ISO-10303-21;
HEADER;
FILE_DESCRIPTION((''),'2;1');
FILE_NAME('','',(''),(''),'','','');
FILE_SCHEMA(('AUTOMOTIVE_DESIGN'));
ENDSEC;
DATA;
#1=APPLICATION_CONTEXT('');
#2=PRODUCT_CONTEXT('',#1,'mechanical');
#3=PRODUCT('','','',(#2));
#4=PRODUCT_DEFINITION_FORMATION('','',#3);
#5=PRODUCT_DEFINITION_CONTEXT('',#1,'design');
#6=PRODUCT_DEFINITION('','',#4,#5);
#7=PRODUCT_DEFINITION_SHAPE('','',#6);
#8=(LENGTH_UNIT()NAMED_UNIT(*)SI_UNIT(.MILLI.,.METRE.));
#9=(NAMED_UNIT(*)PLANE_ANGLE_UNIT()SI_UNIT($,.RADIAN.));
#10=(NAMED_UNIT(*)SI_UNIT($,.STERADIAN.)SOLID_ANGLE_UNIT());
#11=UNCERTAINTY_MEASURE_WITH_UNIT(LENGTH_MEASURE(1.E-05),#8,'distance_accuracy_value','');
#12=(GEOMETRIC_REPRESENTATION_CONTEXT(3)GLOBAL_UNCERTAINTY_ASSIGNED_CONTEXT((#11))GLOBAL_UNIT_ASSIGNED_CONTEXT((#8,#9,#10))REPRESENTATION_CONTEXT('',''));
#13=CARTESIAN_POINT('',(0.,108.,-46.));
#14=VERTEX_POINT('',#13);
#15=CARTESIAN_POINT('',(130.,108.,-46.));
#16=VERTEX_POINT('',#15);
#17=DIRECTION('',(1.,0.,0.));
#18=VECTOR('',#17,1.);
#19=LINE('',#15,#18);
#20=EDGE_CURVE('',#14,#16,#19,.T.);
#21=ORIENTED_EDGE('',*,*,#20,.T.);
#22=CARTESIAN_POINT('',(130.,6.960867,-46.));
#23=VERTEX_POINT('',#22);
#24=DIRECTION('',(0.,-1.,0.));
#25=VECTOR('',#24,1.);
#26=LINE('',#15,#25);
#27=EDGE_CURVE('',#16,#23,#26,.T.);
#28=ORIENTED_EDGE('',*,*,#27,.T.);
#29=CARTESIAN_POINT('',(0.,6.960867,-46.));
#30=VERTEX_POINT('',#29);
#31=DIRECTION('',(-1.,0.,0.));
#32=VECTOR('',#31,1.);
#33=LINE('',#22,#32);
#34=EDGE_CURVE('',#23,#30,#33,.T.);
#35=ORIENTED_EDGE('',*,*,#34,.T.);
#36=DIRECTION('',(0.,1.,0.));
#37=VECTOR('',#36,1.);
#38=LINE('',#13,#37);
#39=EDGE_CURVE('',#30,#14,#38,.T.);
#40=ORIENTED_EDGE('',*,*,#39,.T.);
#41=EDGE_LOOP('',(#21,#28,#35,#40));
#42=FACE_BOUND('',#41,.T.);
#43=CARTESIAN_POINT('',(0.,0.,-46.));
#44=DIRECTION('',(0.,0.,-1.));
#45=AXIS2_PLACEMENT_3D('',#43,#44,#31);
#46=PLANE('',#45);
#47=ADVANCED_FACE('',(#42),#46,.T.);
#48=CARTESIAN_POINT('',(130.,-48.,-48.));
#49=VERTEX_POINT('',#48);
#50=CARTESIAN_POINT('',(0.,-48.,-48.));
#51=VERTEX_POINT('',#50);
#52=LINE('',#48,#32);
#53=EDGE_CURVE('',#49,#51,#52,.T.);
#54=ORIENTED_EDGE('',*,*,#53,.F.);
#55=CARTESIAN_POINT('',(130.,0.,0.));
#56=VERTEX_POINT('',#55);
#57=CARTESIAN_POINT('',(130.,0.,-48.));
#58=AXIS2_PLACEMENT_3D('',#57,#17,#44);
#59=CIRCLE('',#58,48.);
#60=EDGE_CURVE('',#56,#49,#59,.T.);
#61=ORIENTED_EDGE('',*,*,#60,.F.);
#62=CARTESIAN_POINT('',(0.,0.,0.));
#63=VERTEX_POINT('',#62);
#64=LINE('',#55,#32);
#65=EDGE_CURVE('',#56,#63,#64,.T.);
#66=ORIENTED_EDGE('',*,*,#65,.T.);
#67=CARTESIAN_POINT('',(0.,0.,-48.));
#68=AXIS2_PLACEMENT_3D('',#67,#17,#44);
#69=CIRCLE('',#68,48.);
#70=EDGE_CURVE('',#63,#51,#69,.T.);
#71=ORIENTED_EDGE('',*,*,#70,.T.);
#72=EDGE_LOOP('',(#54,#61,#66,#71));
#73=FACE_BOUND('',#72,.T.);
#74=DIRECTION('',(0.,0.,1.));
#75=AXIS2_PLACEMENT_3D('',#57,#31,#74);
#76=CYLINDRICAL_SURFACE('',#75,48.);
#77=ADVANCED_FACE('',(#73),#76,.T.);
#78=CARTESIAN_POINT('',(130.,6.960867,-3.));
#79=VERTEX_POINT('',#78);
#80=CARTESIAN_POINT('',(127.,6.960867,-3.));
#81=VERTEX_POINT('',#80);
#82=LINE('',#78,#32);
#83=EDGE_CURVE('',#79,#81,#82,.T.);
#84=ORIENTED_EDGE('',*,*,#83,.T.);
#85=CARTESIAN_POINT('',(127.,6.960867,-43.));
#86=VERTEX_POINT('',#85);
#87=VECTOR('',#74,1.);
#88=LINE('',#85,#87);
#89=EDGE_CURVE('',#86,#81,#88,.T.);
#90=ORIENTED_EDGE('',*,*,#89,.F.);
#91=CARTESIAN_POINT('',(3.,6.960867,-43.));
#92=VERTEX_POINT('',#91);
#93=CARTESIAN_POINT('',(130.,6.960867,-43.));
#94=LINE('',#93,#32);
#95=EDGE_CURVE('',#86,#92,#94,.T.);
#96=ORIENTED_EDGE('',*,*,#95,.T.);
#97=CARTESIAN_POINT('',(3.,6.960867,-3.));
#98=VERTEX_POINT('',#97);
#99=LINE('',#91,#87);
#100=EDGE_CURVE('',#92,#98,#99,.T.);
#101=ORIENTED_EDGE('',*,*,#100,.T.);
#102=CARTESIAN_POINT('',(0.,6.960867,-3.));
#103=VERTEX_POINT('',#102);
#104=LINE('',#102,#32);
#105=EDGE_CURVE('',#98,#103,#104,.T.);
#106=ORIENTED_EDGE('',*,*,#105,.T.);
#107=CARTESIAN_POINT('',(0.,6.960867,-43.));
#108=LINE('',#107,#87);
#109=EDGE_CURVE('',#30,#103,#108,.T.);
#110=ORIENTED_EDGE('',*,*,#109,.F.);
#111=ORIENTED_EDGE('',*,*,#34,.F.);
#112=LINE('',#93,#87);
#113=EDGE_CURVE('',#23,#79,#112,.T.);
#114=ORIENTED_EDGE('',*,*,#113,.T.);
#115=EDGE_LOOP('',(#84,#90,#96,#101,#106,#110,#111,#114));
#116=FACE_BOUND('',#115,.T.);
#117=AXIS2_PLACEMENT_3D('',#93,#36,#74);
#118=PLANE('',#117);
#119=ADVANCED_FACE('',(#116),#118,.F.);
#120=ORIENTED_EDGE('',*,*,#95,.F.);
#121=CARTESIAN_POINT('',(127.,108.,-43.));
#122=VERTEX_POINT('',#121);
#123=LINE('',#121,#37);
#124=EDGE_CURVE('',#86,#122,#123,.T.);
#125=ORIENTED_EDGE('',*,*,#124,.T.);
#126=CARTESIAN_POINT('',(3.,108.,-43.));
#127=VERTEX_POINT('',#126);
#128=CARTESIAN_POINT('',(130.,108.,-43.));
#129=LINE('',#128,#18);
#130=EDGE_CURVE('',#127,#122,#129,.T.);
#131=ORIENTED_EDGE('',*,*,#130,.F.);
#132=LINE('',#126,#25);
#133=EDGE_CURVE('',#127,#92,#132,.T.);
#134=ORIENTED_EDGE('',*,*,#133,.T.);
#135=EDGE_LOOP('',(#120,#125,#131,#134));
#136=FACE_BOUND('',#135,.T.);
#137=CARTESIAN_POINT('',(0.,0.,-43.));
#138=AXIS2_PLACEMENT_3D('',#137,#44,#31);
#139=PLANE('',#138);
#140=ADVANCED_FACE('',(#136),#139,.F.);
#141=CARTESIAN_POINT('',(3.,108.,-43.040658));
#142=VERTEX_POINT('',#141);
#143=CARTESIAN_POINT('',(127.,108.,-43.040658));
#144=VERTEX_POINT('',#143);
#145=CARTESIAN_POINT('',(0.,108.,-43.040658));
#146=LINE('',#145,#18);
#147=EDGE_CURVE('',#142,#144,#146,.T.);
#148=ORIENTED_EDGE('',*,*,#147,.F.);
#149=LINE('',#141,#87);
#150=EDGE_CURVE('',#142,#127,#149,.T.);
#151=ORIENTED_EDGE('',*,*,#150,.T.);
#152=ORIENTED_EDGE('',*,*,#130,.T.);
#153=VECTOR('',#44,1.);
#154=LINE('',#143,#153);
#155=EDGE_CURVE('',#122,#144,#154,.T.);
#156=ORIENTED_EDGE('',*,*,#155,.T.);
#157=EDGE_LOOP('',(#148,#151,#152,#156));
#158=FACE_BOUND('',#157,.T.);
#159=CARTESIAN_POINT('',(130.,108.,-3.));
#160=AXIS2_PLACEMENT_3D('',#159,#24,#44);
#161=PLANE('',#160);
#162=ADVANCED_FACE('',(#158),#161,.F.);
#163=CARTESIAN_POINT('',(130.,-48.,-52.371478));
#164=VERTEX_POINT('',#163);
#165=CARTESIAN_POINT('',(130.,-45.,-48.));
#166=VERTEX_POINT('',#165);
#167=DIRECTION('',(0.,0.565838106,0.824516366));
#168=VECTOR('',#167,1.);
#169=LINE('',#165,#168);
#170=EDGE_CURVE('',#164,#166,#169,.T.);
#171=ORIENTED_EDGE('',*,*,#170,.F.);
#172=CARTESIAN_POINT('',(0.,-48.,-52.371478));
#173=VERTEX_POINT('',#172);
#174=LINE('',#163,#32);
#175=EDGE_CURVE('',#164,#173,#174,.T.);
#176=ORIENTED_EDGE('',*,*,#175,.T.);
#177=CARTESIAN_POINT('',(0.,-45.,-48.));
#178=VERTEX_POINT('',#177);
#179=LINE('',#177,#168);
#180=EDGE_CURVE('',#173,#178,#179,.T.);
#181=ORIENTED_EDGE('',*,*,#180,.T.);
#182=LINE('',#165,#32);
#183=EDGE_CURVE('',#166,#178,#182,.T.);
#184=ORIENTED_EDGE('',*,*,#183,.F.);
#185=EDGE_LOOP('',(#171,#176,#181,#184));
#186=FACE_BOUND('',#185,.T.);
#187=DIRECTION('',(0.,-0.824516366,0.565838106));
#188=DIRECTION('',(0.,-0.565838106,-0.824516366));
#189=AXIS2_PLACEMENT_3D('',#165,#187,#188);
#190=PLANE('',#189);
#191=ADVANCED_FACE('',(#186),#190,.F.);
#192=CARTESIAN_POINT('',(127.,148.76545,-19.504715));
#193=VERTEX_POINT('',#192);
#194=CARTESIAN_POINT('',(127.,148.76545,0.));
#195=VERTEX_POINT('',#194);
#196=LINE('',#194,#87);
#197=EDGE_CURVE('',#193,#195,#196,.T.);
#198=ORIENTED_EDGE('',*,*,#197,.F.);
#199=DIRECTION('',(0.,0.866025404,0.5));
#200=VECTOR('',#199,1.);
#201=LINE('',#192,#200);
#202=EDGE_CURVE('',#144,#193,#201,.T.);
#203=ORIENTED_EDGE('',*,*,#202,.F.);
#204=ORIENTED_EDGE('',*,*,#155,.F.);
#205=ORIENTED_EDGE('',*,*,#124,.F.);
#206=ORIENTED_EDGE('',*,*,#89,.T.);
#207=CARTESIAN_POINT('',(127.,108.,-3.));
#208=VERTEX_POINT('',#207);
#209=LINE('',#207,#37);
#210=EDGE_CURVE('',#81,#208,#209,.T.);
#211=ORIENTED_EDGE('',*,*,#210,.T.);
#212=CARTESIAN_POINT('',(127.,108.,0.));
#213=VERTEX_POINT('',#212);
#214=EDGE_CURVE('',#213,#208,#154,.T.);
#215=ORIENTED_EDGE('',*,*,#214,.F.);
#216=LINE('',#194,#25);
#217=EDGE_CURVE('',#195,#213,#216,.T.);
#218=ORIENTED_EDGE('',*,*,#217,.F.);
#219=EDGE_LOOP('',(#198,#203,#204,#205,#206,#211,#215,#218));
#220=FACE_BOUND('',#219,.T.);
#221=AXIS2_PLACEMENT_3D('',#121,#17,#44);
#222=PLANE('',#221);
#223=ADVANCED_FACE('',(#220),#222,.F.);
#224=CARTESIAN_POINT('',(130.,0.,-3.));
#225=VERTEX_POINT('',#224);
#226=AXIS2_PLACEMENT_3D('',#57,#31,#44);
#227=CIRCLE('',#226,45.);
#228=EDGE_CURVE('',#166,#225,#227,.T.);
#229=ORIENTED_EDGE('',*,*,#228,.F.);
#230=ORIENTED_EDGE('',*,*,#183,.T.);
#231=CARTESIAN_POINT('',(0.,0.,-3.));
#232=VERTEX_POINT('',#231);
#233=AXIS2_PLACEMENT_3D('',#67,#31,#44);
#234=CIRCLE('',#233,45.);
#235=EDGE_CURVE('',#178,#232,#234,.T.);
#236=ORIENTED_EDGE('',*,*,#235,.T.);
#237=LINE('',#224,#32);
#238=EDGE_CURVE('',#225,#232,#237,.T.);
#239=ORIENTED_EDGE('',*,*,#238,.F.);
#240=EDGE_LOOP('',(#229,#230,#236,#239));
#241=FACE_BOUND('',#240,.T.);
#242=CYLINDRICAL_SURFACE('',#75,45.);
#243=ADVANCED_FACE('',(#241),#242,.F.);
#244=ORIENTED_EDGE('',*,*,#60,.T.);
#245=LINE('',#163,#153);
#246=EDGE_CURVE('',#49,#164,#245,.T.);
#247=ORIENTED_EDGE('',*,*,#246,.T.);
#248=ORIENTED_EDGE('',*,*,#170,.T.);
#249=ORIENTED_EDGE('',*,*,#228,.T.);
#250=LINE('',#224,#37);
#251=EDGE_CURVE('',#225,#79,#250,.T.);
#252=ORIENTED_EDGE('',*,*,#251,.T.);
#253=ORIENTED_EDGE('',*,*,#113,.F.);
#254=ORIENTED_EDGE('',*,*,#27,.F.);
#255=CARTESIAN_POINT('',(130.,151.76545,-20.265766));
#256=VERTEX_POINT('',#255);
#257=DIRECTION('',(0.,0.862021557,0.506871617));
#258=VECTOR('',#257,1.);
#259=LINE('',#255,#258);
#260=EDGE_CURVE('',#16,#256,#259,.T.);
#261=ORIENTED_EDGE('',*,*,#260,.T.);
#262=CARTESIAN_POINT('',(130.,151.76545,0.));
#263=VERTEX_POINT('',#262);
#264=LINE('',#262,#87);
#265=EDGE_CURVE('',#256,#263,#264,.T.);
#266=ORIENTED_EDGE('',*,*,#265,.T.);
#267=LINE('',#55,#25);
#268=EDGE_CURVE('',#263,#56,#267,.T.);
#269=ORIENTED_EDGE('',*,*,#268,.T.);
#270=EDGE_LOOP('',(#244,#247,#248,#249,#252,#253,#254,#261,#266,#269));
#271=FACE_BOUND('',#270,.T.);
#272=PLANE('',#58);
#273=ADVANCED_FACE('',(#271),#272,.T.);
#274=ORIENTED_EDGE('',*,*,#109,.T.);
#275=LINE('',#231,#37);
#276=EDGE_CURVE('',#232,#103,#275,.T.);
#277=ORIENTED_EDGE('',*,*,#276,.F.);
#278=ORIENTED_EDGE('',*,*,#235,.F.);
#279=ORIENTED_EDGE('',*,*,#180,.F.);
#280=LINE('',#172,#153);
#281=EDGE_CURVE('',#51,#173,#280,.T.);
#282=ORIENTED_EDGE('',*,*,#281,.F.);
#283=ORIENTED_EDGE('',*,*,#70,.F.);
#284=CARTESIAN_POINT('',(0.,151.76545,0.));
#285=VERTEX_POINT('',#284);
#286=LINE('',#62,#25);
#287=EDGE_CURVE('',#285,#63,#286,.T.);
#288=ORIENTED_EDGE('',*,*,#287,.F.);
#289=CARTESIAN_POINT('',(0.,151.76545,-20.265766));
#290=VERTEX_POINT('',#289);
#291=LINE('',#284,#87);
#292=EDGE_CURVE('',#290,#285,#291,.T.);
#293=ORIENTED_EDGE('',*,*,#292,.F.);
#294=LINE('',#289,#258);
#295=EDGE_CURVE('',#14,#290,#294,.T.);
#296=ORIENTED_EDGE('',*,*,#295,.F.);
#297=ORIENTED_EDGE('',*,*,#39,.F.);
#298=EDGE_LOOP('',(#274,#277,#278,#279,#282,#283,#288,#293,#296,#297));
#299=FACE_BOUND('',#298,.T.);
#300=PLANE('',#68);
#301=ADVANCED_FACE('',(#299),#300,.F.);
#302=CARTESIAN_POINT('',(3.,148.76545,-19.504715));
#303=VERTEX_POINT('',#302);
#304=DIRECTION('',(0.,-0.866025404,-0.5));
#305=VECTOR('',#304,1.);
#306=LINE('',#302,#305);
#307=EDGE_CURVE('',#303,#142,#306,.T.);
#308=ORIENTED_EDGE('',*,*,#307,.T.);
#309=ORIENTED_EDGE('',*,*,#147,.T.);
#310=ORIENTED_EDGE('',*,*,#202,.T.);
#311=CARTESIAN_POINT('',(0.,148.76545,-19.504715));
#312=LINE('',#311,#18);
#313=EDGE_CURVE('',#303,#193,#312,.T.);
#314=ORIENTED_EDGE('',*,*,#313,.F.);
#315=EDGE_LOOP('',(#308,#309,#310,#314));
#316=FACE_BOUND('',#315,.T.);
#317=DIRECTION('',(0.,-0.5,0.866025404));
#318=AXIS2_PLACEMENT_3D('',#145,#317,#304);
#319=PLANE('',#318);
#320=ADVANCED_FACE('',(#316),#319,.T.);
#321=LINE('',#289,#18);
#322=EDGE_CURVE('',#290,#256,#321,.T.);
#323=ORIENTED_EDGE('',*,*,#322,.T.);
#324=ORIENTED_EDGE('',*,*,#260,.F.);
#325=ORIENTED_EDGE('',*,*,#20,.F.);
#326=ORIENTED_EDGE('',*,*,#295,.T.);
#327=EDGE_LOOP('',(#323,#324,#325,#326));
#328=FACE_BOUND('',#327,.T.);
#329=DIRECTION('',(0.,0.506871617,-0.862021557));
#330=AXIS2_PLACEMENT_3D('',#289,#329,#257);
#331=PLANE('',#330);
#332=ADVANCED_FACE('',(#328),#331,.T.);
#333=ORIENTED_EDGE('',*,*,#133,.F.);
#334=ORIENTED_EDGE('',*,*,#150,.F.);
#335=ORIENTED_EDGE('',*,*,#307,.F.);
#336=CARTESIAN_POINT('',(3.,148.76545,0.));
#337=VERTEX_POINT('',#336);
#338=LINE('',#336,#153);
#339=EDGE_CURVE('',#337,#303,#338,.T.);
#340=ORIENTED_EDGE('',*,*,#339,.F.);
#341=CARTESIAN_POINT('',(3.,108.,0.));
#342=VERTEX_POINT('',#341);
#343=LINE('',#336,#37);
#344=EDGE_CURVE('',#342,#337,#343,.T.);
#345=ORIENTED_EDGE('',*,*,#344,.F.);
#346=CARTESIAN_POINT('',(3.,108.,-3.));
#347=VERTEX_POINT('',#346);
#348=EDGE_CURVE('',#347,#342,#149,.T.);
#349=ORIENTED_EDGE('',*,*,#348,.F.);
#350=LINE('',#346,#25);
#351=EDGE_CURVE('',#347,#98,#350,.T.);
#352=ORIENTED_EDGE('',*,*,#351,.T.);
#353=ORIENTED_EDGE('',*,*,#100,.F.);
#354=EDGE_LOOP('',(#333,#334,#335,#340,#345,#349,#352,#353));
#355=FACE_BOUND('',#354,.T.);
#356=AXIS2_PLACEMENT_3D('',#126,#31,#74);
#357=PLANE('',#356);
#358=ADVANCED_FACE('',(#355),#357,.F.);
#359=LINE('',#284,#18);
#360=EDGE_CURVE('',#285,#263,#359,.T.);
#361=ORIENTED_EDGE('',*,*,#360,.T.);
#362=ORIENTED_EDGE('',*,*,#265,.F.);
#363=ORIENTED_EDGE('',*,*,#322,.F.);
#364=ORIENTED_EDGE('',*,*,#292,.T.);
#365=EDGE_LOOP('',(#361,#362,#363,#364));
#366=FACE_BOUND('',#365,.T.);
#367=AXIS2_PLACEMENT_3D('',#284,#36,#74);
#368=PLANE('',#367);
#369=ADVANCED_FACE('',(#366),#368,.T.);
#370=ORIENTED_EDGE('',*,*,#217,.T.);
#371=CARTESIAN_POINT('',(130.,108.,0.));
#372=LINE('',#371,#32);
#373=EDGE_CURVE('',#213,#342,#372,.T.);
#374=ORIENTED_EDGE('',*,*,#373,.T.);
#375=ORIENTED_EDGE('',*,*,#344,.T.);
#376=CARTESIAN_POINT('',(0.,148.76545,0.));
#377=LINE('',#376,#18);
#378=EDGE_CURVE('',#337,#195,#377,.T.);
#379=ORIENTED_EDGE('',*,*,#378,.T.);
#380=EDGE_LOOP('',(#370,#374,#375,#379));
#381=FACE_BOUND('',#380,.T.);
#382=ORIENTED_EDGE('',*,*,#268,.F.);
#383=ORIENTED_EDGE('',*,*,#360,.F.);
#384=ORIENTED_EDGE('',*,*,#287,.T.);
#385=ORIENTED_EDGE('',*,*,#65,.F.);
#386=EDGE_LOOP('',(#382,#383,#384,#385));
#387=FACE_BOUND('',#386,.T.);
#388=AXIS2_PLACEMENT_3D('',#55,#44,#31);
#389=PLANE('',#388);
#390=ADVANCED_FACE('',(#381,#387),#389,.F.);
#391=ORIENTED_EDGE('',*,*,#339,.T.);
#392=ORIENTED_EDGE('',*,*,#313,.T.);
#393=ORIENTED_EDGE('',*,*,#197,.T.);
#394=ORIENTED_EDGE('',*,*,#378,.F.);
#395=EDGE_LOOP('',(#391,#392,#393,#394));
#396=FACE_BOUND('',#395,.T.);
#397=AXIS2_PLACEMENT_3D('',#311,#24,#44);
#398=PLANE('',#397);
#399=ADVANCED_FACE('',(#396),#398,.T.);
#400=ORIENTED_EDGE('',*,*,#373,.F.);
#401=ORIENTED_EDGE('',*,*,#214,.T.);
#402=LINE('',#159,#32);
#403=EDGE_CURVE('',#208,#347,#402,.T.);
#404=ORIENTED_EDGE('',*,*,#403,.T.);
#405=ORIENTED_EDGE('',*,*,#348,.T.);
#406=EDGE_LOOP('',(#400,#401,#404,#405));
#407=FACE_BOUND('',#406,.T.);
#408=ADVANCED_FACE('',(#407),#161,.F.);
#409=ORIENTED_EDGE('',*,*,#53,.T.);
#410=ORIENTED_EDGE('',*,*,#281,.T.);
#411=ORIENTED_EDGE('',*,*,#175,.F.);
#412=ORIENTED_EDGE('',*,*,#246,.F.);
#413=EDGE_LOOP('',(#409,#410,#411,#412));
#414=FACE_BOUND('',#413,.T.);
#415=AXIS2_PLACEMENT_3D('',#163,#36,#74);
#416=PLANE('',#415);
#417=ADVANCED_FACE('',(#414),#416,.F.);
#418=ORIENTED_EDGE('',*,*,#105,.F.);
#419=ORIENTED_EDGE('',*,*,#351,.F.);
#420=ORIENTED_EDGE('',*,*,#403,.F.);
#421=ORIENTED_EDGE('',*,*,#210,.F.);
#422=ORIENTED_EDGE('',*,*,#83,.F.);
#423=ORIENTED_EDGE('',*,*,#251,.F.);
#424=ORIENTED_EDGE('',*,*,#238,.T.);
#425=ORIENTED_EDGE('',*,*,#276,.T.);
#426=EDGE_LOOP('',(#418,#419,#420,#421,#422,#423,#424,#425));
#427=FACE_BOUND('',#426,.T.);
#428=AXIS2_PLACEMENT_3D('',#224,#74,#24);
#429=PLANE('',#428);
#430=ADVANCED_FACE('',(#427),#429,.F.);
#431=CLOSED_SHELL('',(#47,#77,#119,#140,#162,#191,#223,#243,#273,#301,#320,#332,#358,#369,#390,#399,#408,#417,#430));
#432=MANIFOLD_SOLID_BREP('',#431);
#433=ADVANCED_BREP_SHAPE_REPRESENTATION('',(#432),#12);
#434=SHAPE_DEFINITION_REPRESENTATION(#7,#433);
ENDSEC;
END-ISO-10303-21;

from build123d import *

# Parameters (mm, degrees)
BOSS_EXTRUDE1_DEPTH = 130
SKETCH2_W           = 3
SKETCH2_H           = 101.039132923
BOSS_EXTRUDE2_DEPTH = 40
SKETCH3_W           = 130
SKETCH3_H           = 101.039132923
BOSS_EXTRUDE3_DEPTH = 3
BOSS_EXTRUDE4_DEPTH = 130
BOSS_EXTRUDE5_DEPTH = 3
BOSS_EXTRUDE6_DEPTH = 3


with BuildPart() as part:
    # Sketch1 → Boss-Extrude1 (new body)
    with BuildSketch(Plane(origin=(0, 0, 0), x_dir=(0, 0, -1), z_dir=(1, 0, 0))):
        with BuildLine():
            Line((0, 0), (0, 108))
            Line((0, 108), (3, 108))
            Line((3, 108), (3, 0))
            ThreePointArc((3, 0), (16.180194847, -31.819805153), (48, -45))
            Line((48, -45), (52.371478475, -48))
            Line((52.371478475, -48), (48, -48))
            ThreePointArc((48, -48), (14.058874503, -33.941125497), (0, 0))
        make_face()
    extrude(amount=BOSS_EXTRUDE1_DEPTH)

    # Sketch2 → Boss-Extrude2 (add)
    with BuildSketch(Plane(origin=(0, 0, -3), x_dir=(-1, 0, 0), z_dir=(0, 0, -1))):
        with Locations((-128.5, 57.480433539)):
            Rectangle(SKETCH2_W, SKETCH2_H)
        with Locations((-1.5, 57.480433539)):
            Rectangle(SKETCH2_W, SKETCH2_H)
    extrude(amount=BOSS_EXTRUDE2_DEPTH)

    # Sketch3 → Boss-Extrude3 (add)
    with BuildSketch(Plane(origin=(0, 0, -43), x_dir=(-1, 0, 0), z_dir=(0, 0, -1))):
        with Locations((-65, 57.480433539)):
            Rectangle(SKETCH3_W, SKETCH3_H)
    extrude(amount=BOSS_EXTRUDE3_DEPTH)

    # Sketch5 → Boss-Extrude4 (add)
    with BuildSketch(Plane(origin=(130, 0, 0), x_dir=(0, 0, -1), z_dir=(1, 0, 0))):
        Polygon((43.040658043, 108), (19.504714564, 148.765449909), (0, 148.765449909), (0, 151.765449909), (20.265766112, 151.765449909), (46, 108), align=None)
    extrude(amount=-BOSS_EXTRUDE4_DEPTH)

    # Sketch6 → Boss-Extrude5 (add)
    with BuildSketch(Plane(origin=(130, 0, 0), x_dir=(0, 0, -1), z_dir=(1, 0, 0))):
        Polygon((43.040658043, 108), (0, 108), (0, 148.765449909), (19.504714564, 148.765449909), align=None)
    extrude(amount=-BOSS_EXTRUDE5_DEPTH)

    # Sketch7 → Boss-Extrude6 (add)
    with BuildSketch(Plane.ZY):
        Polygon((-43.040658043, 108), (0, 108), (0, 148.765449909), (-19.504714564, 148.765449909), align=None)
    extrude(amount=-BOSS_EXTRUDE6_DEPTH)


solid = part.part
